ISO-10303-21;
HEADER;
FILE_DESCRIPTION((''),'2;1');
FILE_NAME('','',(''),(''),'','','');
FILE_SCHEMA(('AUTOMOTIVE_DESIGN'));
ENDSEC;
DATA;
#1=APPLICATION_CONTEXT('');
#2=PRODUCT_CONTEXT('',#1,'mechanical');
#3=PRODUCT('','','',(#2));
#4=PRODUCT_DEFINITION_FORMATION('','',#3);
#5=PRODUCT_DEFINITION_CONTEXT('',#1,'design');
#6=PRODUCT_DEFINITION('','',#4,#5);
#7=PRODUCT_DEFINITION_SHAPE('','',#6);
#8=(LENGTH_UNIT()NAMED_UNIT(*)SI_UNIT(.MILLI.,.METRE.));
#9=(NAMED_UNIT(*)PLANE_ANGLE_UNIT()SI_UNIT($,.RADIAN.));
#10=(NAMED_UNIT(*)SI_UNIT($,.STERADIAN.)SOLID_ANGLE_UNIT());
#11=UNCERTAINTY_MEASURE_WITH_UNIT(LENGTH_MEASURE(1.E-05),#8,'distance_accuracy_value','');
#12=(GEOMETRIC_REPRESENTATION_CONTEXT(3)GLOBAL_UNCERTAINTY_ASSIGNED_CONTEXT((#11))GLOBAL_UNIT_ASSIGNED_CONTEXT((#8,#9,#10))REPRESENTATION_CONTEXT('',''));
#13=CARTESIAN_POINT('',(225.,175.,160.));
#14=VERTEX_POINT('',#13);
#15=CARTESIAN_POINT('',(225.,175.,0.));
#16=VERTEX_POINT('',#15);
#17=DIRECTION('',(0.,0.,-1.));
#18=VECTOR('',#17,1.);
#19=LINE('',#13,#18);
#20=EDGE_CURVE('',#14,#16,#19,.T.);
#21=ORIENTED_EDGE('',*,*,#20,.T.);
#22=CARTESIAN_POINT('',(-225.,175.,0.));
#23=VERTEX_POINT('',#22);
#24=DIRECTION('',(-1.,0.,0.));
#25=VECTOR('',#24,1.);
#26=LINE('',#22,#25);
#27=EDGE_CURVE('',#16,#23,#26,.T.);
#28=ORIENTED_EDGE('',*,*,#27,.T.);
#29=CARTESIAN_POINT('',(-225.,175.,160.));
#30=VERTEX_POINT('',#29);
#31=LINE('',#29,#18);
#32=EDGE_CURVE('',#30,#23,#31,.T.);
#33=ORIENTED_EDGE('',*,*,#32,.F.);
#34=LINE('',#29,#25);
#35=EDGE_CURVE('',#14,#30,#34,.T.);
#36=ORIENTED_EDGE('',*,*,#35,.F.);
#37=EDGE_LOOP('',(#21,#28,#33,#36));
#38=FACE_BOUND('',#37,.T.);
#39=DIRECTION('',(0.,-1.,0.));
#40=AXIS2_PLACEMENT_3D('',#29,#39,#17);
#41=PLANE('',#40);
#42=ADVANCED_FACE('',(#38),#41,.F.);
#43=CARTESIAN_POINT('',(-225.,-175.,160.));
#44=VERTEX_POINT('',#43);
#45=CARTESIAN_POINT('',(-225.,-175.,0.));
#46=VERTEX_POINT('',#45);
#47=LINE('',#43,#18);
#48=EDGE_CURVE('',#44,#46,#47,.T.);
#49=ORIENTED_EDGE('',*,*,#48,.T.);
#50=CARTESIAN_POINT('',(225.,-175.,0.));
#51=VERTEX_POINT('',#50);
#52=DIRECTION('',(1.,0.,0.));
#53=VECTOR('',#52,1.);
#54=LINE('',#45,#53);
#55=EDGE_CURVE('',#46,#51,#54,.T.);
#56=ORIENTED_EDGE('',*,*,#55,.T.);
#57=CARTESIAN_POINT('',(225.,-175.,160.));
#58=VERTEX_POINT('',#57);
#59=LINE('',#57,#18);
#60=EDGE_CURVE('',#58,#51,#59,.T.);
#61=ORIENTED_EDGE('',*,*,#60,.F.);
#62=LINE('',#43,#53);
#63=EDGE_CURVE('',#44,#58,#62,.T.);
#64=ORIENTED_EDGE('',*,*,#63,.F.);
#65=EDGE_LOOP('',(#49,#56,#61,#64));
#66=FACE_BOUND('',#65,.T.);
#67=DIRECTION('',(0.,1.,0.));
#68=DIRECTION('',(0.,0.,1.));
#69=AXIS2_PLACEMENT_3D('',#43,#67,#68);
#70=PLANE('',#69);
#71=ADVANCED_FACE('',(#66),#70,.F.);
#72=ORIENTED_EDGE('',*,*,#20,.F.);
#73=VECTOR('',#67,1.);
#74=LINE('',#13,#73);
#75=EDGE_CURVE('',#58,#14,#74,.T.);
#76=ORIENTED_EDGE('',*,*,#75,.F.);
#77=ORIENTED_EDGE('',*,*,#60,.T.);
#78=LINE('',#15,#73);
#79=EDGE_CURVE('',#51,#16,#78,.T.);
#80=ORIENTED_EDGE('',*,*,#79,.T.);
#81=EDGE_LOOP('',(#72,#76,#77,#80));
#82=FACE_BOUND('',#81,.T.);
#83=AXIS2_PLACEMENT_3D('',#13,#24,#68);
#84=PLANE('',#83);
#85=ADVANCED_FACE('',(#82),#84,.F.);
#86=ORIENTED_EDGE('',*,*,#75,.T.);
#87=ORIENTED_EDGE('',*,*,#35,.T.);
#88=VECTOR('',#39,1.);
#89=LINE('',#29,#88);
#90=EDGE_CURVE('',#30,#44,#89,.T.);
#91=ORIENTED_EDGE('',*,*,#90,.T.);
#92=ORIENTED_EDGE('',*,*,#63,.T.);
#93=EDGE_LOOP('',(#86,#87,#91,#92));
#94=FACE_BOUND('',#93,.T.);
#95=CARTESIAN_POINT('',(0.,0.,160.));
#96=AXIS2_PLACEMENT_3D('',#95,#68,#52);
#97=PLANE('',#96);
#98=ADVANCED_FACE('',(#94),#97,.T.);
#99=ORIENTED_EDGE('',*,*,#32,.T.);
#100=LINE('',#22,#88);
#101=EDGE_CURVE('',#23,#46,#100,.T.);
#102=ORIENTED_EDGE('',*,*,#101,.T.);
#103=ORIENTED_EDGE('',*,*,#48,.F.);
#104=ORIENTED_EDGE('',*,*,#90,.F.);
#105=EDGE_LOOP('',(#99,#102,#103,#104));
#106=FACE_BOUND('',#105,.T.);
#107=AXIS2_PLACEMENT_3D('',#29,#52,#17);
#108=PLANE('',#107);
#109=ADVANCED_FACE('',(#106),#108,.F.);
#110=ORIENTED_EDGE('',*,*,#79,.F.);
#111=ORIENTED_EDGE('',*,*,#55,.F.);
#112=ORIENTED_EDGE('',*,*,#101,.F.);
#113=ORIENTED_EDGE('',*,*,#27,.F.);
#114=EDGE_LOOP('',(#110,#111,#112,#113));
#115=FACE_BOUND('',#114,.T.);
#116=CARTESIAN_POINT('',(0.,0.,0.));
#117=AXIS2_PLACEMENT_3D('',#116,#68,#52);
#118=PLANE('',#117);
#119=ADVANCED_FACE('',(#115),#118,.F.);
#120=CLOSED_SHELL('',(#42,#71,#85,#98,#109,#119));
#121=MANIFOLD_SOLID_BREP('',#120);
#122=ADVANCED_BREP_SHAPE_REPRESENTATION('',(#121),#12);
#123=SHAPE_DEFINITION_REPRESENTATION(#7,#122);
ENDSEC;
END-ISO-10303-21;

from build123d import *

# Parameters (mm, degrees)
SKETCH1_W           = 450
SKETCH1_H           = 350
BOSS_EXTRUDE1_DEPTH = 160


with BuildPart() as part:
    # Sketch1 → Boss-Extrude1 (new body)
    with BuildSketch(Plane.XY):
        Rectangle(SKETCH1_W, SKETCH1_H)
    extrude(amount=BOSS_EXTRUDE1_DEPTH)


solid = part.part
